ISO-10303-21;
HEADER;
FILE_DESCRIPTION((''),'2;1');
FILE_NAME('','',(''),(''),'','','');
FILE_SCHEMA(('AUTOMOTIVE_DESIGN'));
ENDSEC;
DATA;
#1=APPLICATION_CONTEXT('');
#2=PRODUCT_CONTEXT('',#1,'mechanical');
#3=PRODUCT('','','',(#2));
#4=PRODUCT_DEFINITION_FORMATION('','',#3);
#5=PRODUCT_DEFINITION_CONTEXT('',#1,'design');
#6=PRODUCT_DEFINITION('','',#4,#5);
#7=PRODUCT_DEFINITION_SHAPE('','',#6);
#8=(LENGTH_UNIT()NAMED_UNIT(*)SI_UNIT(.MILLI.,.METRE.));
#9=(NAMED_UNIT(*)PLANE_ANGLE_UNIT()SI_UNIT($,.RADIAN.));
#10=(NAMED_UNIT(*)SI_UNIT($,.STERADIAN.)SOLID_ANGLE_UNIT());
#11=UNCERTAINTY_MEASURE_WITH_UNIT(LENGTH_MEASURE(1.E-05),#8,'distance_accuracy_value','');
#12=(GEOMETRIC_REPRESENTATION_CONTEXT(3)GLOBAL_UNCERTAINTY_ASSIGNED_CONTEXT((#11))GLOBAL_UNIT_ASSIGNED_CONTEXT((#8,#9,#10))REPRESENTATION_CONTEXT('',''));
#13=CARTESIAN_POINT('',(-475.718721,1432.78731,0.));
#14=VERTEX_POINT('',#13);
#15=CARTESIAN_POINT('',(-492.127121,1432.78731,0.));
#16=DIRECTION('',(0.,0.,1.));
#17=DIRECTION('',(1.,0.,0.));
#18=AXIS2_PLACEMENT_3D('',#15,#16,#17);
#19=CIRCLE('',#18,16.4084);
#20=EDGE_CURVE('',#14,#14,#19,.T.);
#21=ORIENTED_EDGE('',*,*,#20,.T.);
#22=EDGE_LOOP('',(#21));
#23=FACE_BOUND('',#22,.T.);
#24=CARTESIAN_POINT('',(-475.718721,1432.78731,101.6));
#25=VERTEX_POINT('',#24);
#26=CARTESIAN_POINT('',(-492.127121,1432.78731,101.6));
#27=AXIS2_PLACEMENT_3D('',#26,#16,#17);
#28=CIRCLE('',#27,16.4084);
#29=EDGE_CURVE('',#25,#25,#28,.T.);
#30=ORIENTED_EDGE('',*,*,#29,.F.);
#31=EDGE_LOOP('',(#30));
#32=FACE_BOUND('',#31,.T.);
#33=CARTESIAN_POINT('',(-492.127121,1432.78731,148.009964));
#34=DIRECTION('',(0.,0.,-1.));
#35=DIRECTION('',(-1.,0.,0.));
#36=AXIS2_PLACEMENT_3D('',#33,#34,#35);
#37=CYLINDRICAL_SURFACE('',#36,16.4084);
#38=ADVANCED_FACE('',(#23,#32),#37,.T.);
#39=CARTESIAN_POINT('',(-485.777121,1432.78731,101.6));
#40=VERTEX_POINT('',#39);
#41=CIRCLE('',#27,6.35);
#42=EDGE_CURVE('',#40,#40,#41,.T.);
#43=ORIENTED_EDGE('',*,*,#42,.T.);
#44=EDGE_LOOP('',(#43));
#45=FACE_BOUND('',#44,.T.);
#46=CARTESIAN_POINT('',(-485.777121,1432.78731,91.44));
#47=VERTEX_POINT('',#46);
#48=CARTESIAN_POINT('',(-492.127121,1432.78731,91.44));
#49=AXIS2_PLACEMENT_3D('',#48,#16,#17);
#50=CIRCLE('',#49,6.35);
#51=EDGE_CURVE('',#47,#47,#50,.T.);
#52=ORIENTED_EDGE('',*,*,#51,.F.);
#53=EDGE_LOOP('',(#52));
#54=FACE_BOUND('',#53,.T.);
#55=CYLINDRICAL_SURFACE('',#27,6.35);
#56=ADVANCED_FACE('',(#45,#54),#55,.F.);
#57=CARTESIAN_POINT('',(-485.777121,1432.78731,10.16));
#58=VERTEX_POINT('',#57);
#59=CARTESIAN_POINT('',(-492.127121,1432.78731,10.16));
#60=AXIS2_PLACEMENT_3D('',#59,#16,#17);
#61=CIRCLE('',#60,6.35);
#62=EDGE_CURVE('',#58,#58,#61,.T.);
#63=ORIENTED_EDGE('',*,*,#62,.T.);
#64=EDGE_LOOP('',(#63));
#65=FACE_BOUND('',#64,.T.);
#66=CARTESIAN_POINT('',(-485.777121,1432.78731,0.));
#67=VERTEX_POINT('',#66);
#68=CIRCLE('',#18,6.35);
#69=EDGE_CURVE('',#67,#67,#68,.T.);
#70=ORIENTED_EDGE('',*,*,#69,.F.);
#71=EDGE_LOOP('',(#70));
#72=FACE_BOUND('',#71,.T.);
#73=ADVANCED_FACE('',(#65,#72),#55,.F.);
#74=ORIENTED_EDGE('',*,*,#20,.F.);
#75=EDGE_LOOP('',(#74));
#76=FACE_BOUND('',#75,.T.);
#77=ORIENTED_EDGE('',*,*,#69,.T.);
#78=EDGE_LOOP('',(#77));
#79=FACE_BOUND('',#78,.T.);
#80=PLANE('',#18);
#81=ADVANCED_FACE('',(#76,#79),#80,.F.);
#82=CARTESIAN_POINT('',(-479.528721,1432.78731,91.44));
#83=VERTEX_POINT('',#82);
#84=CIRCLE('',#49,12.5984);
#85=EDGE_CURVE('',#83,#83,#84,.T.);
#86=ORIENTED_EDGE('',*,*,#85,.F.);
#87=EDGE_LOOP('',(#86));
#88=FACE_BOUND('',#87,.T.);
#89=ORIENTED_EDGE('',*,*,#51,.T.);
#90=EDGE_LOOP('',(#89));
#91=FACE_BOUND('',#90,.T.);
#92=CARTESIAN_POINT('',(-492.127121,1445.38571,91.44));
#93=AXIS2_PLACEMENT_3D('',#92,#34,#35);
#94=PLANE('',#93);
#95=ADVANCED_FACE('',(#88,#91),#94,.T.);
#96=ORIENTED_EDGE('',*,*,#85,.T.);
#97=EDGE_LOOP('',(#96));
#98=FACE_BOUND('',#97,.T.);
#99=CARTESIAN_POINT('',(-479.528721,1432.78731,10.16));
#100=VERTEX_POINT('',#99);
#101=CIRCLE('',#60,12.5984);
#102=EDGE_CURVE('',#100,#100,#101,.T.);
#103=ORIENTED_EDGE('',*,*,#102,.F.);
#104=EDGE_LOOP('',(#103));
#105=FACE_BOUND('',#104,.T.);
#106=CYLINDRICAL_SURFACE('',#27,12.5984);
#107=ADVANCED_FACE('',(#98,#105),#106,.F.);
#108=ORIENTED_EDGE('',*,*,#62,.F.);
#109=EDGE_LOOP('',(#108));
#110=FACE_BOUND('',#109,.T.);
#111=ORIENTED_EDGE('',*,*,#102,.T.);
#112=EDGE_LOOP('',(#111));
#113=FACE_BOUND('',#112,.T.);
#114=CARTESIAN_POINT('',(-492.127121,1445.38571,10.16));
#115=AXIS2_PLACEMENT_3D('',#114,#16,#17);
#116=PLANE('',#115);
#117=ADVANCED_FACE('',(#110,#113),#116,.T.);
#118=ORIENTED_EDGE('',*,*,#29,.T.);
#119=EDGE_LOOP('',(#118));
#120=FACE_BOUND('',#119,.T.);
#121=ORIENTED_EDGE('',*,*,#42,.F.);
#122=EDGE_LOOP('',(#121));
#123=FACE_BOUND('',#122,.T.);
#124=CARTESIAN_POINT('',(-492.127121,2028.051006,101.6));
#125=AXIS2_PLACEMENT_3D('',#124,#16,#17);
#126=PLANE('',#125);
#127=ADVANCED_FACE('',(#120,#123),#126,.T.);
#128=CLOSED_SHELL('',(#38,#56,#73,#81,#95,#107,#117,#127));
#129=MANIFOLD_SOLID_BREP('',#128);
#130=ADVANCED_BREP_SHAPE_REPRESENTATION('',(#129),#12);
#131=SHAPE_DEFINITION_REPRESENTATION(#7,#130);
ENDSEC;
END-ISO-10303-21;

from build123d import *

# Parameters (mm, degrees)
SKETCH1_R           = 16.4084
BOSS_EXTRUDE1_DEPTH = 101.6


with BuildPart() as part:
    # Sketch1 → Boss-Extrude1 (new body)
    with BuildSketch(Plane.XY):
        with Locations((-492.127121378, 1432.787310137)):
            Circle(SKETCH1_R)
    extrude(amount=BOSS_EXTRUDE1_DEPTH)

    # Sketch3 → Cut-Revolve1 (revolve, cut)
    with BuildSketch(Plane(origin=(-492.127121378, 0, 0), x_dir=(0, 0, -1), z_dir=(1, 0, 0))):
        Polygon((-91.44, 1445.385710137), (-10.16, 1445.385710137), (-10.16, 1439.137310137), (0, 1439.137310137), (0, 1432.787310137), (-101.6, 1432.787310137), (-101.6, 1439.137310137), (-91.44, 1439.137310137), align=None)
    revolve(axis=Axis((-492.127121378, 1432.787310137, 101.6), (0, 0, -1)), mode=Mode.SUBTRACT)


solid = part.part
